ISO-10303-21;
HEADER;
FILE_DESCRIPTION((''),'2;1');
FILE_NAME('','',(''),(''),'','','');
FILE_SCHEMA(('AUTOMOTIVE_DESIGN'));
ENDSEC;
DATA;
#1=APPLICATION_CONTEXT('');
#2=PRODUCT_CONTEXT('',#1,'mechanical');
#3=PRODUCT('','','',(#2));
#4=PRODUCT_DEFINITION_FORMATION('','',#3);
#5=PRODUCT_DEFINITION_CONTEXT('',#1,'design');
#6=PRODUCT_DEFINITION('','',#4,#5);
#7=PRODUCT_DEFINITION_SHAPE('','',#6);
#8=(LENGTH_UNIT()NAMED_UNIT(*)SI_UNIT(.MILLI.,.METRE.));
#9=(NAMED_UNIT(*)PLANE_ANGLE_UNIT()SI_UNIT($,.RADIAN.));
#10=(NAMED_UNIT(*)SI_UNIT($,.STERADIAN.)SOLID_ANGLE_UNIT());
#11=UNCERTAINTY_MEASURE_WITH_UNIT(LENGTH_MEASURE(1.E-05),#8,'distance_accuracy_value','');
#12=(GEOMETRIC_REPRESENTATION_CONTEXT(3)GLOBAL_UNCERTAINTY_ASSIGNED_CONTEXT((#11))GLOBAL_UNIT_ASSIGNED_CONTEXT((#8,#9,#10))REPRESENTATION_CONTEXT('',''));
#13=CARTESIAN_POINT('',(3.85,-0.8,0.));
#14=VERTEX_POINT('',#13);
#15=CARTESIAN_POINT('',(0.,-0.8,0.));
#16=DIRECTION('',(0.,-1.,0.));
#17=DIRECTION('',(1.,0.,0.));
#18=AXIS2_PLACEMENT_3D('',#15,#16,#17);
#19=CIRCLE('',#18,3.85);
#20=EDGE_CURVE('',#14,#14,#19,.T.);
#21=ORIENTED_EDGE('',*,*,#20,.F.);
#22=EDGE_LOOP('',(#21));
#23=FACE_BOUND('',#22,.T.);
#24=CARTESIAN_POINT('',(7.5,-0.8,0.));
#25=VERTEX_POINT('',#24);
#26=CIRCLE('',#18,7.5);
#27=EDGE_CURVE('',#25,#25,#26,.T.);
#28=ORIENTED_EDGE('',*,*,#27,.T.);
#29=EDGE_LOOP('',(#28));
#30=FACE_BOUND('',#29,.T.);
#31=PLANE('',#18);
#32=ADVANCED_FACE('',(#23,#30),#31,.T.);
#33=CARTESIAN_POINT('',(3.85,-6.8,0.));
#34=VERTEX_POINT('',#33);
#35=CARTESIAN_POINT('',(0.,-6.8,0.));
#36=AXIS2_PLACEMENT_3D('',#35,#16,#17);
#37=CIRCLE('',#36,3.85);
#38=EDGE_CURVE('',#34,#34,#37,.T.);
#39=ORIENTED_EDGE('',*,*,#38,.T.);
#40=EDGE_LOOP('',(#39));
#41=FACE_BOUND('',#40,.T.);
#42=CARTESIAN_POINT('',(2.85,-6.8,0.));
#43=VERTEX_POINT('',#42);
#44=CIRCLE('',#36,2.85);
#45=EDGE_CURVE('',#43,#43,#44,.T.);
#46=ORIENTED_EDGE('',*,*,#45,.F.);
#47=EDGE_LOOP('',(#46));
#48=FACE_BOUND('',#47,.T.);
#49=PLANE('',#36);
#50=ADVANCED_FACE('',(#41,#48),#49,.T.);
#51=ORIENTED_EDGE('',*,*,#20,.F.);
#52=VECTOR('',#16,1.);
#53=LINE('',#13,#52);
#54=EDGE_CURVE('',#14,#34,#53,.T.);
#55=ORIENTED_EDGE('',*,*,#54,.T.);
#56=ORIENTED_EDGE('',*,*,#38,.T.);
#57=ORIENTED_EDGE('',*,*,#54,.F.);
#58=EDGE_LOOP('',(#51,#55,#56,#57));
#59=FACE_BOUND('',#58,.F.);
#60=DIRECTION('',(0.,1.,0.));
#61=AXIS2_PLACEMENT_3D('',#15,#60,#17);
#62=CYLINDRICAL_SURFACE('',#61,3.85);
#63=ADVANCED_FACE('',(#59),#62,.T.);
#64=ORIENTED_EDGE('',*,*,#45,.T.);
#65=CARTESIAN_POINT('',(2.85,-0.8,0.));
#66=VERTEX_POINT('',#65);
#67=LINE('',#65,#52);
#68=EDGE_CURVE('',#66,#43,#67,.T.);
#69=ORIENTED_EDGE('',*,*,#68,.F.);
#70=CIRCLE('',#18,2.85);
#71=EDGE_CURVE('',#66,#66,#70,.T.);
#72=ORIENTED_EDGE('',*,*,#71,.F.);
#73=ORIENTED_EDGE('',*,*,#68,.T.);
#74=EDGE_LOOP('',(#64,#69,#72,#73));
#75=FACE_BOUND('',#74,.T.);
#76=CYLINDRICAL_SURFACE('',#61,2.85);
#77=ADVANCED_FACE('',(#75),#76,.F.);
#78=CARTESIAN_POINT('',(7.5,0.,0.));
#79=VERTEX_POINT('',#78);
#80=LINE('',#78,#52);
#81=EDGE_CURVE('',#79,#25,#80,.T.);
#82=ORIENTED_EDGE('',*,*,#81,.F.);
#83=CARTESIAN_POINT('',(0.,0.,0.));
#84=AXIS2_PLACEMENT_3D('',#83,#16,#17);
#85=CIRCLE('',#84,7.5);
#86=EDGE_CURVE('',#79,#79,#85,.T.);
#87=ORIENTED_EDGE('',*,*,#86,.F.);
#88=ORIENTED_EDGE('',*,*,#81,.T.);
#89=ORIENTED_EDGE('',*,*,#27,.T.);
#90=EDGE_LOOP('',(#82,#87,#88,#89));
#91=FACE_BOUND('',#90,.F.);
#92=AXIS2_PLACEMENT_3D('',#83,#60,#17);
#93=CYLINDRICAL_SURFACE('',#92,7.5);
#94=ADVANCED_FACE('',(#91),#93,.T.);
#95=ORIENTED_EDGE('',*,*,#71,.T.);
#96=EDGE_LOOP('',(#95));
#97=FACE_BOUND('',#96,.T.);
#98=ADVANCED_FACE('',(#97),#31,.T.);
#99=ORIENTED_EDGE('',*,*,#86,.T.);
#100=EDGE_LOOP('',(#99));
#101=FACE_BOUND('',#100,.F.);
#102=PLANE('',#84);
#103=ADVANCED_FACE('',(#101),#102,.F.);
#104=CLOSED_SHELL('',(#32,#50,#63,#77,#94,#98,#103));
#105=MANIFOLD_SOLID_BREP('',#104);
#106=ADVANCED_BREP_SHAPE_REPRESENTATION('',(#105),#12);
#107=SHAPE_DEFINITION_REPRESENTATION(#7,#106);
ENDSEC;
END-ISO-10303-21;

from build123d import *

# Parameters (mm, degrees)
F0_R     = 7.5
F1_DEPTH = 0.8
F3_R     = 3.85
F3_R_2   = 2.85
F4_DEPTH = 6


with BuildPart() as f1:
    # F0 (on Front) → F1 (new body)
    with BuildSketch(Plane.XZ):
        Circle(F0_R)
    extrude(amount=F1_DEPTH)

    # F3 (on face) → F4 (join)
    with BuildSketch(Plane.XZ.offset(0.8)):
        Circle(F3_R)
        Circle(F3_R_2, mode=Mode.SUBTRACT)
    extrude(amount=F4_DEPTH)


solid = f1.part
